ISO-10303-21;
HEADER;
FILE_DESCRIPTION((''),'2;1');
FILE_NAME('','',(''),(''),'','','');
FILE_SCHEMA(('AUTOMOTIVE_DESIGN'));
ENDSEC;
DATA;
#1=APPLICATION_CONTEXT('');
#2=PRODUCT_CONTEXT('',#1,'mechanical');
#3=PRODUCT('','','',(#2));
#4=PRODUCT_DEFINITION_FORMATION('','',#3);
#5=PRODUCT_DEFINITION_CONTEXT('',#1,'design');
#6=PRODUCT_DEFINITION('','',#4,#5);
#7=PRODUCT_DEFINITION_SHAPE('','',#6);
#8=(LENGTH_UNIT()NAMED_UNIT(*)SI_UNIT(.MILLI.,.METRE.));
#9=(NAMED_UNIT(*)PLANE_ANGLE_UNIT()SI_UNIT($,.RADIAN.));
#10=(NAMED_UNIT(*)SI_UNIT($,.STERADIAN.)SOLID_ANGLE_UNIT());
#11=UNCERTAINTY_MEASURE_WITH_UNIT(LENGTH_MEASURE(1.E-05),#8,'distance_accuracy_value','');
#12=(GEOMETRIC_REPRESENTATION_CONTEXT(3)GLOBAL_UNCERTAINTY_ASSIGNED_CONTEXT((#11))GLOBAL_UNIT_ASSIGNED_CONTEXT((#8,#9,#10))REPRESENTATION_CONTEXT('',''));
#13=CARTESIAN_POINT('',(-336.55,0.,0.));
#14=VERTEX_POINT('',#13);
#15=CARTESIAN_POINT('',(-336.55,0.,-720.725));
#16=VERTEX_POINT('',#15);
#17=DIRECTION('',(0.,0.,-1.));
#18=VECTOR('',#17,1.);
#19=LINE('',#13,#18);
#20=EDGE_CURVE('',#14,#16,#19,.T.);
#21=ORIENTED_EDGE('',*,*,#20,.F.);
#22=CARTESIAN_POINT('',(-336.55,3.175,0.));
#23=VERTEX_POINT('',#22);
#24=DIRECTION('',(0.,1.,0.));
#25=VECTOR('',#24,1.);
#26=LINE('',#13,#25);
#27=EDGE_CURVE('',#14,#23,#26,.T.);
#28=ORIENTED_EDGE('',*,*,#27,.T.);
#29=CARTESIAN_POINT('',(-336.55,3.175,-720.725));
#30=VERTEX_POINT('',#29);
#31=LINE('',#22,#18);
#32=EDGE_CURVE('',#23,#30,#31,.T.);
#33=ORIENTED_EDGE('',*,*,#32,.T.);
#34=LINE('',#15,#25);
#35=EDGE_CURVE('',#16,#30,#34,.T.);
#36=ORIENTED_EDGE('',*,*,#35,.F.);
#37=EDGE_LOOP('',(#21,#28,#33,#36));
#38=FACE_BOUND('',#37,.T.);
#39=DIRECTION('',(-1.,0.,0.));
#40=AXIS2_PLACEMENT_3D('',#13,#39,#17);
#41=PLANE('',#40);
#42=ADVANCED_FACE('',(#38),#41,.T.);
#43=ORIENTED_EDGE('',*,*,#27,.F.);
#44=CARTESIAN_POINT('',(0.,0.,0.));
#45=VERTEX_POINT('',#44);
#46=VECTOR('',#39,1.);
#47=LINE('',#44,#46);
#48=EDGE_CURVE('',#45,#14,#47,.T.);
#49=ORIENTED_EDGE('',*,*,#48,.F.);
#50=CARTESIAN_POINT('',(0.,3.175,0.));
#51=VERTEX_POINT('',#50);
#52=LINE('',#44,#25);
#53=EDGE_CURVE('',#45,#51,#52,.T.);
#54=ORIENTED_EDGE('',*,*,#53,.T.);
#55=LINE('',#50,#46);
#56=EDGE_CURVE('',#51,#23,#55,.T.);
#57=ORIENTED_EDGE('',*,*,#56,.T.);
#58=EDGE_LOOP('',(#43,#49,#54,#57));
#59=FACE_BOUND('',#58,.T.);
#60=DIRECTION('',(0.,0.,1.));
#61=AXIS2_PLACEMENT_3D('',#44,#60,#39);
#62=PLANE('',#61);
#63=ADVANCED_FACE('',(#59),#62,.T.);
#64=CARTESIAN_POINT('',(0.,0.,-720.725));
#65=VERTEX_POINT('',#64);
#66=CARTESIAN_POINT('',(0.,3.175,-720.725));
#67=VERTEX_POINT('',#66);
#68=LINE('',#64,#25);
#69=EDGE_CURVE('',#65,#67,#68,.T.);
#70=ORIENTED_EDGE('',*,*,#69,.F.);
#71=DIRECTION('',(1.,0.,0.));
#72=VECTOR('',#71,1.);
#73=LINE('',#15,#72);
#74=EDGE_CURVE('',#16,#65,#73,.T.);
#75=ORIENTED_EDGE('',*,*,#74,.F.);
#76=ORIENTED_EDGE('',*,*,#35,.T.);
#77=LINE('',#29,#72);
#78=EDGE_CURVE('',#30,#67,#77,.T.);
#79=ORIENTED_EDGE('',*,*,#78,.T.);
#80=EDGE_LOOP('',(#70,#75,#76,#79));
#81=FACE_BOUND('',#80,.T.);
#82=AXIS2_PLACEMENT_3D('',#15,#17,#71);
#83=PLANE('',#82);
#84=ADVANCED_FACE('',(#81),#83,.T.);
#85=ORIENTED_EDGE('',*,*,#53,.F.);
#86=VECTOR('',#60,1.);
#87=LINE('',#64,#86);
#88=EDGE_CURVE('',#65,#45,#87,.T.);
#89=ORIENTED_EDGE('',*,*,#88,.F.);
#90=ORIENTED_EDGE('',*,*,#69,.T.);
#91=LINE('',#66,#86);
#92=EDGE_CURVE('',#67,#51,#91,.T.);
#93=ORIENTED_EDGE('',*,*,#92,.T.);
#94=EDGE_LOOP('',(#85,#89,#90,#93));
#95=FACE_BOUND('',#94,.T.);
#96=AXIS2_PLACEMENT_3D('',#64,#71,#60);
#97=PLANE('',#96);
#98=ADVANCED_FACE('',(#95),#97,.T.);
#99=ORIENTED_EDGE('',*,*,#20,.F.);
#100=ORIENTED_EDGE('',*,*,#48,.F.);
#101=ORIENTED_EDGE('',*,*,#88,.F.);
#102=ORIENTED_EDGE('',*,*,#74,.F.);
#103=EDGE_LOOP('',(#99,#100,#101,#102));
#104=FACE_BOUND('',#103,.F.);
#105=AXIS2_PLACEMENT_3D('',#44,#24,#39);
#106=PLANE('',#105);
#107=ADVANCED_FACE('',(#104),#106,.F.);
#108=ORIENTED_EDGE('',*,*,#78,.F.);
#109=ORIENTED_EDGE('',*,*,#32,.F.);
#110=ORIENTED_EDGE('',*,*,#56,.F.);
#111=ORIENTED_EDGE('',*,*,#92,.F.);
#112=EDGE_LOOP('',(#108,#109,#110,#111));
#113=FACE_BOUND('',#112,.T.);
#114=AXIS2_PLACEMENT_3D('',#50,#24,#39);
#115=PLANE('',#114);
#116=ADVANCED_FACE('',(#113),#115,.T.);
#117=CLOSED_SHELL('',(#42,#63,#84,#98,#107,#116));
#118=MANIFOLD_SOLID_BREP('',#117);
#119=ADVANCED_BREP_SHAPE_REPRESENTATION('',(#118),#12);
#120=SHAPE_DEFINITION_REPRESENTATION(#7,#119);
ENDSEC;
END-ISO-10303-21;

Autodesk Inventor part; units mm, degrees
ref_plane "YZ Plane" through (0, 0, 0) normal (1, 0, 0) x (0, 1, 0)
ref_plane "XZ Plane" through (0, 0, 0) normal (0, 1, 0) x (-1, 0, 0)
ref_plane "XY Plane" through (0, 0, 0) normal (0, 0, 1) x (1, 0, 0)
sketch "Sketch1" plane through (0, 0, 0) normal (0, 1, 0) x (-1, 0, 0)
  line L0 (0, 0) -> (336.55, 0)
  line L1 (336.55, 0) -> (336.55, -720.725)
  line L2 (336.55, -720.725) -> (0, -720.725)
  line L3 (0, -720.725) -> (0, 0)
  dimension "d0" = 336.55
  dimension "d1" = 720.725
extrude "Extrusion1" add sketch "Sketch1" along normal blind 3.175
properties part number "Shingle_With_Dimensions_13.25_x_28.375_Inches"
